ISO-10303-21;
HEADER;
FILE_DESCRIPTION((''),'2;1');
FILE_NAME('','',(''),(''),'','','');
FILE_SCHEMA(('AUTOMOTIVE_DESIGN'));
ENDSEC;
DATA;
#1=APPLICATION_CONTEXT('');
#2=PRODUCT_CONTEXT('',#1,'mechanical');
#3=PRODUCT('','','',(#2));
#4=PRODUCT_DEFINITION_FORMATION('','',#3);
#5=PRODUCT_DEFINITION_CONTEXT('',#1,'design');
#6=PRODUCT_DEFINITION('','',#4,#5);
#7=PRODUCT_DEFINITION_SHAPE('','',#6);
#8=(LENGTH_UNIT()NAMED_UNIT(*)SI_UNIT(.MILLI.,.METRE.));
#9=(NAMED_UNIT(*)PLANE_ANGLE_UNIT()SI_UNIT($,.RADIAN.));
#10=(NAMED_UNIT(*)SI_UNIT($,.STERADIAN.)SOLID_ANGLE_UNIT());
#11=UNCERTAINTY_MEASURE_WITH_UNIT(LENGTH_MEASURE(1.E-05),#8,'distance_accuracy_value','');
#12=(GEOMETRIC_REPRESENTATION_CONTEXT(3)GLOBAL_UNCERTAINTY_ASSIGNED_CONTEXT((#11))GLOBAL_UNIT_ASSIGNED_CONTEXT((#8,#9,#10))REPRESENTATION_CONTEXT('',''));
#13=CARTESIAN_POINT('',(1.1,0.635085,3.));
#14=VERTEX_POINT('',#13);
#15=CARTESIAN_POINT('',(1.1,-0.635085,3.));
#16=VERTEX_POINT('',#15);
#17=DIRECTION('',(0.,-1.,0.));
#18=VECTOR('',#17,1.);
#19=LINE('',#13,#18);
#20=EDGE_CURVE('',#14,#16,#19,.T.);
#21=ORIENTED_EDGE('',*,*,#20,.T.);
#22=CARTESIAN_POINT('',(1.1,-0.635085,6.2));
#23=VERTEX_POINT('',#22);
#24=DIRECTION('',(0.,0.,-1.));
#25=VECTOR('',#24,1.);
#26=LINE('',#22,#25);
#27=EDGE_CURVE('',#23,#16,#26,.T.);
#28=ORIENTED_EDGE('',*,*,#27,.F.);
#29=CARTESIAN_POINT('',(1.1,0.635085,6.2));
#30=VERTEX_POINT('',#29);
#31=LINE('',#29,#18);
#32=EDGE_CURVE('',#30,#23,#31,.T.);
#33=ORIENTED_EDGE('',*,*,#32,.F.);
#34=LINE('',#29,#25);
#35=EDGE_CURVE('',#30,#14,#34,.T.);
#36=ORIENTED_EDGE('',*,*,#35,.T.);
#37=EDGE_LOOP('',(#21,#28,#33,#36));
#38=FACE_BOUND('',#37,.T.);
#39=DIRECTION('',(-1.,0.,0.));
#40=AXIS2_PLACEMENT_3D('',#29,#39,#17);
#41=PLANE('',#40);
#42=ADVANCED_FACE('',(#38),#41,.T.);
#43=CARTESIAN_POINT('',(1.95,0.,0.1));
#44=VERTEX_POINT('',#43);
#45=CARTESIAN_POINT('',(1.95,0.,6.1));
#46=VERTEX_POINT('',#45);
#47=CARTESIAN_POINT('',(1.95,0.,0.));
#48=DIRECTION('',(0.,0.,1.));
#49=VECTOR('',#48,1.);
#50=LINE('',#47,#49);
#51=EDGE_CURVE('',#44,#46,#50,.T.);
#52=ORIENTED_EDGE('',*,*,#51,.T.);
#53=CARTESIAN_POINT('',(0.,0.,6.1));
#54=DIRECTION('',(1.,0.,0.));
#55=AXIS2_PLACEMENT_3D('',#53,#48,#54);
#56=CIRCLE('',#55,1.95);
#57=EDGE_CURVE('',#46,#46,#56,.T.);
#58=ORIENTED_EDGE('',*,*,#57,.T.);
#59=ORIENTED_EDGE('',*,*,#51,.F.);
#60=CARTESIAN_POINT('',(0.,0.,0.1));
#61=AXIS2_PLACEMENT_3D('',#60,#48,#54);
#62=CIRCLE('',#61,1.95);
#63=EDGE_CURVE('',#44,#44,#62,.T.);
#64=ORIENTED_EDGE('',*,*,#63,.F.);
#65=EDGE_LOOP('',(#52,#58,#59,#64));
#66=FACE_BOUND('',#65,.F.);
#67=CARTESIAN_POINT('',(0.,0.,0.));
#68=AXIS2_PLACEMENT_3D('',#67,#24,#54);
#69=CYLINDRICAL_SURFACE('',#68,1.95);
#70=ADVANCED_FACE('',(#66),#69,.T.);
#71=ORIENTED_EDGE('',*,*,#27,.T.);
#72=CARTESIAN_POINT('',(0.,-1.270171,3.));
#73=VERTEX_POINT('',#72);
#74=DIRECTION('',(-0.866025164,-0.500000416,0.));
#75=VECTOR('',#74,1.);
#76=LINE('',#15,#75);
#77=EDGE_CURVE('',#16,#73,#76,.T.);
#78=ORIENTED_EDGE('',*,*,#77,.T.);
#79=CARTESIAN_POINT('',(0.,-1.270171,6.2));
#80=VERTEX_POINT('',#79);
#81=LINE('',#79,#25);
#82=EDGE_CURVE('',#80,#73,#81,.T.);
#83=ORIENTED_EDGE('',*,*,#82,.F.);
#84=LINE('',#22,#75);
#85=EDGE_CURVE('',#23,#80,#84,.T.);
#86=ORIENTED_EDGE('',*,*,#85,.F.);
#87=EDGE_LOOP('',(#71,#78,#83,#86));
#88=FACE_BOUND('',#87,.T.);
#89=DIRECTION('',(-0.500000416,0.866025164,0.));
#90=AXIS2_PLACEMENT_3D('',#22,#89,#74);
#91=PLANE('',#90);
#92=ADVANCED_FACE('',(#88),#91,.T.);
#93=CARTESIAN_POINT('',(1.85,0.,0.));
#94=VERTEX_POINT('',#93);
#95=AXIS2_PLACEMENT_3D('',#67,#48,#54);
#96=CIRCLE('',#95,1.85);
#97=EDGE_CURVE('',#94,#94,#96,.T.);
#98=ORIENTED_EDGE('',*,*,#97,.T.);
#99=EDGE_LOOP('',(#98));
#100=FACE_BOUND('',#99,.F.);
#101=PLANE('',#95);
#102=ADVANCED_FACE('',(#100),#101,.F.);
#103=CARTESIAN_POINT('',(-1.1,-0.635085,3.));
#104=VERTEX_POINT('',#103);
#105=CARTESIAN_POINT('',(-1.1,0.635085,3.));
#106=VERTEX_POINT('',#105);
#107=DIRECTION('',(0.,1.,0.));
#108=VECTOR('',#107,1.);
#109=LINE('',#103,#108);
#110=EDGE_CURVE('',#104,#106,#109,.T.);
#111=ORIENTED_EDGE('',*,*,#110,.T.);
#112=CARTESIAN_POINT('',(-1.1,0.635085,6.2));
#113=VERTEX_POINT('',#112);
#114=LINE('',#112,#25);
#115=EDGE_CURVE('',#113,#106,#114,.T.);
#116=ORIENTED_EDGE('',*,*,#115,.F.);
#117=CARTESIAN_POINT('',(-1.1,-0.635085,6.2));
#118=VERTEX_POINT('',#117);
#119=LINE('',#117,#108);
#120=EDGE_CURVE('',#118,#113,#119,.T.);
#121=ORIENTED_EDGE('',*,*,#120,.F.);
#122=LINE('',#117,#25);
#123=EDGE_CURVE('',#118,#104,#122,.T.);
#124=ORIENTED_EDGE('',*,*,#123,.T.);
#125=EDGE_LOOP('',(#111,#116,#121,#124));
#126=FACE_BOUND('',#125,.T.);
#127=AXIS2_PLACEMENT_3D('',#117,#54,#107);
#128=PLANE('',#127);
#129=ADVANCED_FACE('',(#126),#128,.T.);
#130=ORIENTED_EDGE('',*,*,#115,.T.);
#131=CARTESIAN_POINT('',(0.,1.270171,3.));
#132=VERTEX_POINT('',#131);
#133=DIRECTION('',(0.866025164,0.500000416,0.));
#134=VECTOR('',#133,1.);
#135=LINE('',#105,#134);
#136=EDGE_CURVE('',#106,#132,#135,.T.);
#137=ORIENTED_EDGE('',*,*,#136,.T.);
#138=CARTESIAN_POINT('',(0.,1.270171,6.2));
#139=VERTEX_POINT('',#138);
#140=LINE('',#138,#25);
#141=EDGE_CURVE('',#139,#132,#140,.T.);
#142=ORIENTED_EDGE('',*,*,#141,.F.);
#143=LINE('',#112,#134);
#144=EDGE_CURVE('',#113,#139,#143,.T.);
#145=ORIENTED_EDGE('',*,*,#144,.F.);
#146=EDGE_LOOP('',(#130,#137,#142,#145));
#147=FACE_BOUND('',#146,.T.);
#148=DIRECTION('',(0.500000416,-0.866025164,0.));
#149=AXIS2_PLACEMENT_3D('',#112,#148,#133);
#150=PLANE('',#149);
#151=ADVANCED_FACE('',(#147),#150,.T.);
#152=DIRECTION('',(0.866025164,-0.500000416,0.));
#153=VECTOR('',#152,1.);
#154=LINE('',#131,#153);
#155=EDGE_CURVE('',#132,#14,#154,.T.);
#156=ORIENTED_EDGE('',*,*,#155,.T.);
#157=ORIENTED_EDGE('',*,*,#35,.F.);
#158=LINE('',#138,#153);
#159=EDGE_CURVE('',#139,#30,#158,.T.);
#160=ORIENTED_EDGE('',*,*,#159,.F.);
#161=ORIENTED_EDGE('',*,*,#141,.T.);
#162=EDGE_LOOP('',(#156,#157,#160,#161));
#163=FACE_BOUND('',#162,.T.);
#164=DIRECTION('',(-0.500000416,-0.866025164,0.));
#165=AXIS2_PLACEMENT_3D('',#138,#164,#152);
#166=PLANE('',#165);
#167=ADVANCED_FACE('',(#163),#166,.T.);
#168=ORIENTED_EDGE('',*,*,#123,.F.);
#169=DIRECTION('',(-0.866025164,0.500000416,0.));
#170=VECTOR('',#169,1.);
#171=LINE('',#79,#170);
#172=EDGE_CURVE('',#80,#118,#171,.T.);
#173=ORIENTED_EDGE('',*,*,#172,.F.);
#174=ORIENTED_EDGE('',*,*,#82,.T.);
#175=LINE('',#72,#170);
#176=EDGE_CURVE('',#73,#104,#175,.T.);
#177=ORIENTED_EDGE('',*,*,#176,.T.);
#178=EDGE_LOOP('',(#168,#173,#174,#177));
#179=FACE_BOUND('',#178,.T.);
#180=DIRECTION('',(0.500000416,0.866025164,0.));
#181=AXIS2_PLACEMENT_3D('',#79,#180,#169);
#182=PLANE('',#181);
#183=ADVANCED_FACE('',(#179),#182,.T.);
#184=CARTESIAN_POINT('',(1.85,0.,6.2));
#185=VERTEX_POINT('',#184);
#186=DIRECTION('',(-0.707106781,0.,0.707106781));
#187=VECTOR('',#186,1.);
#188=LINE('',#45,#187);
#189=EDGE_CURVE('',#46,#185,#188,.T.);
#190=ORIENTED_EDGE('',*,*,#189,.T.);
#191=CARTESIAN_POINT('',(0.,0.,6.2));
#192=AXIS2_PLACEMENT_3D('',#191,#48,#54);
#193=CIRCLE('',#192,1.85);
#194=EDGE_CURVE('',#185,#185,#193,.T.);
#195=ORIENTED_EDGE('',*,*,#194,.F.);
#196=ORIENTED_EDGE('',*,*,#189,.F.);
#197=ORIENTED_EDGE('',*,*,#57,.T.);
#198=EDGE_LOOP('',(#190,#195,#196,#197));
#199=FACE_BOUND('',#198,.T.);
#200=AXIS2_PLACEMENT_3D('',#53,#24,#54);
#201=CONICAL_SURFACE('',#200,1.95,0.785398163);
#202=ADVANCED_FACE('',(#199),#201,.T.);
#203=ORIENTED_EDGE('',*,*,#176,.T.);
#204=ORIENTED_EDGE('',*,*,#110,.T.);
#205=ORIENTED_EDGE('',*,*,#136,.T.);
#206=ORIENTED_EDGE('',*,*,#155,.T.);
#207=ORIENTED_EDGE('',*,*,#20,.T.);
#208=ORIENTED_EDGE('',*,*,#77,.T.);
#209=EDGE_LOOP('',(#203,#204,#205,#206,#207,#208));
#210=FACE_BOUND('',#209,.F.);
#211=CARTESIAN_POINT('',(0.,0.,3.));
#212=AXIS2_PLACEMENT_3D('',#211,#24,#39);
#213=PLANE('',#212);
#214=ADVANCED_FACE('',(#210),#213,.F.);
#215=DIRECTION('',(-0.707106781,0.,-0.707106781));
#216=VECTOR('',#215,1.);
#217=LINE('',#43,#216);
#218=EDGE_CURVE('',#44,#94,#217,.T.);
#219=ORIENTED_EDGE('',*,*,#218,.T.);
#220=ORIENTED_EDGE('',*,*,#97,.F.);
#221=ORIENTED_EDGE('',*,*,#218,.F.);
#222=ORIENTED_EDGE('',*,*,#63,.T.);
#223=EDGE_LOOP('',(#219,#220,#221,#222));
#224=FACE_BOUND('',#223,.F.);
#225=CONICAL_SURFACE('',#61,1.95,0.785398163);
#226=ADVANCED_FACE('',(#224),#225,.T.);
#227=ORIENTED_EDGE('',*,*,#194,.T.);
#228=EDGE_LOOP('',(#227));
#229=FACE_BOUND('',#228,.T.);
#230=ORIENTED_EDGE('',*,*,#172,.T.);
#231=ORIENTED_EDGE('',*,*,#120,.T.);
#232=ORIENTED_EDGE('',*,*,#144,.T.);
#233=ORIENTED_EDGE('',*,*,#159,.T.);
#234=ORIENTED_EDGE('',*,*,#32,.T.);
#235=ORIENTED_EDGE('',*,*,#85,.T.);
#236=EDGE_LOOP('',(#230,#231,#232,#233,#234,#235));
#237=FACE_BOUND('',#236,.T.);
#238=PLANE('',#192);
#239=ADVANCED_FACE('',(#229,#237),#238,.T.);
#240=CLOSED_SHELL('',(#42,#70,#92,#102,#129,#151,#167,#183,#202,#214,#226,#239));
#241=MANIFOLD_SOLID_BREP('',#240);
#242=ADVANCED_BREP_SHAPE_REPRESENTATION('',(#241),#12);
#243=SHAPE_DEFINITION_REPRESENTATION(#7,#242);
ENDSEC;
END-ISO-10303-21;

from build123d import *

# Parameters (mm, degrees)
CYLINDER006_R     = 1.95
CYLINDER006_DEPTH = 6.2
POCKET_DEPTH      = 3.2
CHAMFER001_SIZE   = 0.1
CHAMFER002_SIZE   = 0.1


with BuildPart() as part:
    # Cylinder006 → Cylinder006 (new body)
    with BuildSketch(Plane.XY):
        Circle(CYLINDER006_R)
    extrude(amount=CYLINDER006_DEPTH)

    # Sketch001 (on Face2 of Cylinder006) → Pocket (cut)
    with BuildSketch(Plane.XY.offset(6.2)):
        Polygon((-1.1, -0.635085), (-1.1, 0.635085), (0, 1.270171), (1.1, 0.635085), (1.1, -0.635085), (0, -1.270171), align=None)
    extrude(amount=-POCKET_DEPTH, mode=Mode.SUBTRACT)

    # Chamfer001
    chamfer001_edges = [part.edges().sort_by_distance(p)[0] for p in [
        (-1.95, 0, 0),
    ]]
    chamfer(chamfer001_edges, length=CHAMFER001_SIZE)

    # Chamfer002
    chamfer002_edges = [part.edges().sort_by_distance(p)[0] for p in [
        (-1.95, 0, 6.2),
    ]]
    chamfer(chamfer002_edges, length=CHAMFER002_SIZE)


solid = part.part
